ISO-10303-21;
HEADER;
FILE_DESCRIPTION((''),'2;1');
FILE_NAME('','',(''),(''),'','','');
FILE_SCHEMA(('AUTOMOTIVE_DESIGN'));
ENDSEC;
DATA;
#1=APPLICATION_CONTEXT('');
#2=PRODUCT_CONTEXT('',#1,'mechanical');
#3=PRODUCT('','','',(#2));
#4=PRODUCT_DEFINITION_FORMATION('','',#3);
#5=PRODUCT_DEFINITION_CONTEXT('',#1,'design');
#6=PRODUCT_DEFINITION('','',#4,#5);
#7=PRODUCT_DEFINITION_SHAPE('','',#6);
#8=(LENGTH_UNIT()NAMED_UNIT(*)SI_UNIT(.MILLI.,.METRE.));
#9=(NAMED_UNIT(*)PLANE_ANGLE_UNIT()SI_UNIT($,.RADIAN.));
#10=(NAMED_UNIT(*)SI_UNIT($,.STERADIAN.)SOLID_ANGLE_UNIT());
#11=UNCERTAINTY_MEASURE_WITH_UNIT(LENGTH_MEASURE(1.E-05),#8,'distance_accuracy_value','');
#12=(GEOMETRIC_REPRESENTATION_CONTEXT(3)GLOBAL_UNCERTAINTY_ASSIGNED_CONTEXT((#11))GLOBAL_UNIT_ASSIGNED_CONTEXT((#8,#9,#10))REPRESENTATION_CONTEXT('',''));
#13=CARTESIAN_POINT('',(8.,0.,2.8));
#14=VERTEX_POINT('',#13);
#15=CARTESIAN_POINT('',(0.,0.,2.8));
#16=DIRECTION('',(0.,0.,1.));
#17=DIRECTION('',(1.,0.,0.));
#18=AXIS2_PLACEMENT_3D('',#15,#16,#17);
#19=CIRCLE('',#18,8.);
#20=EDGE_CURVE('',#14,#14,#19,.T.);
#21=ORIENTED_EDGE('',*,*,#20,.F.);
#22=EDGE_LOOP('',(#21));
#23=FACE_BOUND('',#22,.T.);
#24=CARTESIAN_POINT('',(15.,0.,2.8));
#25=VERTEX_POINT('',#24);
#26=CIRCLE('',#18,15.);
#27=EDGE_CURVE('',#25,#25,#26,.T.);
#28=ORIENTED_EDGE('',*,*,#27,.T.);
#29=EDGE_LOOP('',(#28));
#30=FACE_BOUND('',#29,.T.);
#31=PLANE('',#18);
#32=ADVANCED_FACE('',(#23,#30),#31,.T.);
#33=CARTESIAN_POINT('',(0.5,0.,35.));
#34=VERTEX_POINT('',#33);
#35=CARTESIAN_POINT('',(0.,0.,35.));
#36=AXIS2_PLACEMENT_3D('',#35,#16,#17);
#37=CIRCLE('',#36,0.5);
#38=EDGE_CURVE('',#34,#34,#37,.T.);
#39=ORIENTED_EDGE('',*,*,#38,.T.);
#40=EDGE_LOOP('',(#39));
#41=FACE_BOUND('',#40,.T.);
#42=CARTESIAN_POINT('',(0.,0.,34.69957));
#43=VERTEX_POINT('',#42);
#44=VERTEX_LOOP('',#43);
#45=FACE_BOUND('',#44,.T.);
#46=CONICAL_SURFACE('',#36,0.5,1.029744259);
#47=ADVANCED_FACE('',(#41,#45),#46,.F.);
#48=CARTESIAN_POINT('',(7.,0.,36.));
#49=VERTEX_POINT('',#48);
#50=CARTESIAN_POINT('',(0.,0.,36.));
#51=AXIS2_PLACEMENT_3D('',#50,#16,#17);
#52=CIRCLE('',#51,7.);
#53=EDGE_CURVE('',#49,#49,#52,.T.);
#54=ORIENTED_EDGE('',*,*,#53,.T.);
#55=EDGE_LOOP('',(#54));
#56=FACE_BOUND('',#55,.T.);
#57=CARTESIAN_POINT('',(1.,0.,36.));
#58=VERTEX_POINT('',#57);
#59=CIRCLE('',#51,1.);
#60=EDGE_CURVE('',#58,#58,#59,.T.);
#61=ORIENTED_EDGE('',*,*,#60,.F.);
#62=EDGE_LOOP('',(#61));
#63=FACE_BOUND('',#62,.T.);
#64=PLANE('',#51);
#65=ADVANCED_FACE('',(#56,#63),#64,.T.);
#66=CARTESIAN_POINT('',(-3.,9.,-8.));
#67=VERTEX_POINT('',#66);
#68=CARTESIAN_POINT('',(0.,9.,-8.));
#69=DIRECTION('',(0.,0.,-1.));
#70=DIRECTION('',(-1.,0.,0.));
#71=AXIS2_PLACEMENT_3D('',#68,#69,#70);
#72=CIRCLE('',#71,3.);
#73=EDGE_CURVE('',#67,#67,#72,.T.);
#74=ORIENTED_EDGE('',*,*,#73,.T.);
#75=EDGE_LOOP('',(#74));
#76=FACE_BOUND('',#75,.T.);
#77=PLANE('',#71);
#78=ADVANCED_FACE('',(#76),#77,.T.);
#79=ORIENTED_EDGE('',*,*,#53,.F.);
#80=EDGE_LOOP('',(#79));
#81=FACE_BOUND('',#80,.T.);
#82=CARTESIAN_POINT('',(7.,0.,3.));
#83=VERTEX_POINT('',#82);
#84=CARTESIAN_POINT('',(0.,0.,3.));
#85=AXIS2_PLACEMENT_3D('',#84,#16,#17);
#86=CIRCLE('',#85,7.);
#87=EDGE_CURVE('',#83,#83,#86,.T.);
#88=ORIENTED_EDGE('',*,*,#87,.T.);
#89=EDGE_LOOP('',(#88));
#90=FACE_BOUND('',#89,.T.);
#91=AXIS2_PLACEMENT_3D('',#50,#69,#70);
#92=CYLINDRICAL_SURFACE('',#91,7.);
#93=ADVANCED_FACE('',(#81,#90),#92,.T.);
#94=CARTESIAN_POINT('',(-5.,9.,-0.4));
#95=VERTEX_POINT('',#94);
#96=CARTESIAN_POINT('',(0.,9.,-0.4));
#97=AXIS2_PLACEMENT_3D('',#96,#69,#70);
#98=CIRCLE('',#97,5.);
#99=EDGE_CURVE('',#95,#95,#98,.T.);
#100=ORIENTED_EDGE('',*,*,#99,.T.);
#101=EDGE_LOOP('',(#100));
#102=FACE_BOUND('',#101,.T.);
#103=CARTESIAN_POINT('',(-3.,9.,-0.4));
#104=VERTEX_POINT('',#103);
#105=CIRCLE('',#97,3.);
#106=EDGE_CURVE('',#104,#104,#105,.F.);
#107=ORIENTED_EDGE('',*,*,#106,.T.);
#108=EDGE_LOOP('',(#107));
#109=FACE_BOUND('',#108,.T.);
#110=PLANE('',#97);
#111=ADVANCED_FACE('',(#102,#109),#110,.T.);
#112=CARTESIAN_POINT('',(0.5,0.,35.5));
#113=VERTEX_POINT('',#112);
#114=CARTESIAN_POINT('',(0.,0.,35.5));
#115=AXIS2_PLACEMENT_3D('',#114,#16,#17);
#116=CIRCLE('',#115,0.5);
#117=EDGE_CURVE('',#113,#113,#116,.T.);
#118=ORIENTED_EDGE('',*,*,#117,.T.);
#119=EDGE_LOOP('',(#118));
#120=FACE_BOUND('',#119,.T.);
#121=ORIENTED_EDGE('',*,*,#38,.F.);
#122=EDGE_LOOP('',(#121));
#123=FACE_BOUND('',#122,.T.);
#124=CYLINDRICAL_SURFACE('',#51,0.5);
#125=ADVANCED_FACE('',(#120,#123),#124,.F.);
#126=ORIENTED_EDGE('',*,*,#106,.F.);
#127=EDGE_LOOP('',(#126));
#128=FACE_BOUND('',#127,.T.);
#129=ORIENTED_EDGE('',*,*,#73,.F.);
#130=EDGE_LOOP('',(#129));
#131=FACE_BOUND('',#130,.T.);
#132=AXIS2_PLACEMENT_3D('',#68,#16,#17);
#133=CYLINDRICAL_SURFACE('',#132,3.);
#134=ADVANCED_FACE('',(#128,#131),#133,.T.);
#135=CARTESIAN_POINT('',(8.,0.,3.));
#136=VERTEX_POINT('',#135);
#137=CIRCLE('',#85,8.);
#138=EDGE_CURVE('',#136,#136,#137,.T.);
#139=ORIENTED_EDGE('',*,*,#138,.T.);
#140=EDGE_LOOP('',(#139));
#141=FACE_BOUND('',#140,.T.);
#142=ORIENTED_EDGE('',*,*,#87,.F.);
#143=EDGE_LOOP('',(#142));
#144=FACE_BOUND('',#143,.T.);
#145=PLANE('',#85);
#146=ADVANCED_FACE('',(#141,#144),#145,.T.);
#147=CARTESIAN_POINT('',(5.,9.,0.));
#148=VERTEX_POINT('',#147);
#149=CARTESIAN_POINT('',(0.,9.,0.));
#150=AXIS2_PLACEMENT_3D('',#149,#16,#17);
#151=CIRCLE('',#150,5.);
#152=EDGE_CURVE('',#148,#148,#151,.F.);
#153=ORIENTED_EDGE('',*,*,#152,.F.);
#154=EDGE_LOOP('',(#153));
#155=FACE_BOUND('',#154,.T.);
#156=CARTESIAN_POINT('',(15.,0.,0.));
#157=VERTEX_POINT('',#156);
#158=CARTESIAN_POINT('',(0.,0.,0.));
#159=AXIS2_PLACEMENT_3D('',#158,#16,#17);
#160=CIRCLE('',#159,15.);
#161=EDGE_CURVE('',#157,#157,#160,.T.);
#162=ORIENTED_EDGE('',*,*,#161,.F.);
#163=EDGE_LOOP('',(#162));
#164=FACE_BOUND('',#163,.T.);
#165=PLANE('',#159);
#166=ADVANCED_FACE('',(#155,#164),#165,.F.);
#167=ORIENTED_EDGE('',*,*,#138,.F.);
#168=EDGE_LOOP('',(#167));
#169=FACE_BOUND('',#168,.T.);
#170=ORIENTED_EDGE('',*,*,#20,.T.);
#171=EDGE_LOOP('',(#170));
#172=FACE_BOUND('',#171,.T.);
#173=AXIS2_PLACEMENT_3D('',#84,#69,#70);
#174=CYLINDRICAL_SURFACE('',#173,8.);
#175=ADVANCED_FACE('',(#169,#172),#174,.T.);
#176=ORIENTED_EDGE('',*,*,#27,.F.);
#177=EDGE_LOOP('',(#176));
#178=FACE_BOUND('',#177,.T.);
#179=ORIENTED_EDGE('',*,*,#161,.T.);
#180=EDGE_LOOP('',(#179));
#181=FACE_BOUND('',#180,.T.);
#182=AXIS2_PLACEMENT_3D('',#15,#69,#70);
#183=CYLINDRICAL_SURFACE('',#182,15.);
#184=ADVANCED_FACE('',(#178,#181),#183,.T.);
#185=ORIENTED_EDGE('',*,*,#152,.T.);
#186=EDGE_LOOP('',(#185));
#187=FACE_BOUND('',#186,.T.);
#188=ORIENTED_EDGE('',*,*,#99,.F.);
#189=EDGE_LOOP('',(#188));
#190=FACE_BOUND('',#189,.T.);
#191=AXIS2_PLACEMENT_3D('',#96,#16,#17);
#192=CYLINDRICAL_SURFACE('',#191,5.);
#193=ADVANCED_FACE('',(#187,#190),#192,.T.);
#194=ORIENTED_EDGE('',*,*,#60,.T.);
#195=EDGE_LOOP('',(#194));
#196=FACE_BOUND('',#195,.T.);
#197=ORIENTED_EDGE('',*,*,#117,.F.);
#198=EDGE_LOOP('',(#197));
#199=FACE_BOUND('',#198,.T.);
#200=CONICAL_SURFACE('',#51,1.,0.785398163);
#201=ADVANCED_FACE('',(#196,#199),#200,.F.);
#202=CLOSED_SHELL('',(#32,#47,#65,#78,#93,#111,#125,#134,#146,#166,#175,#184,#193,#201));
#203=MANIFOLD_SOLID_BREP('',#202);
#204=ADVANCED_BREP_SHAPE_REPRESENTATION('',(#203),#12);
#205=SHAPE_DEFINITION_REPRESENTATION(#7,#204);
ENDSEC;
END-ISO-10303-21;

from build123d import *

# Parameters (mm, degrees)
SKETCH1_R                                       = 15
BOSS_EXTRUDE1_DEPTH                             = 2.8
SKETCH3_R                                       = 8
BOSS_EXTRUDE3_DEPTH                             = 0.2
SKETCH2_R                                       = 7
BOSS_EXTRUDE2_DEPTH                             = 33
SKETCH4_R                                       = 5
BOSS_EXTRUDE4_DEPTH                             = 0.4
SKETCH5_R                                       = 3
BOSS_EXTRUDE5_DEPTH                             = 8
CSK_FOR_M2_OVAL_HEAD_MACHINE_SCREW1_D           = 1
CSK_FOR_M2_OVAL_HEAD_MACHINE_SCREW1_DEPTH       = 1
CSK_FOR_M2_OVAL_HEAD_MACHINE_SCREW1_CSINK_D     = 2
CSK_FOR_M2_OVAL_HEAD_MACHINE_SCREW1_CSINK_ANGLE = 90
CSK_FOR_M2_OVAL_HEAD_MACHINE_SCREW1_TIP         = 0.30043031


with BuildPart() as part:
    # Sketch1 → Boss-Extrude1 (new body)
    with BuildSketch(Plane.XY):
        Circle(SKETCH1_R)
    extrude(amount=BOSS_EXTRUDE1_DEPTH)

    # Sketch3 → Boss-Extrude3 (add)
    with BuildSketch(Plane.XY.offset(2.8)):
        Circle(SKETCH3_R)
    extrude(amount=BOSS_EXTRUDE3_DEPTH)

    # Sketch2 → Boss-Extrude2 (add)
    with BuildSketch(Plane.XY.offset(3)):
        Circle(SKETCH2_R)
    extrude(amount=BOSS_EXTRUDE2_DEPTH)

    # Sketch4 → Boss-Extrude4 (add)
    with BuildSketch(Plane(origin=(0, 0, 0), x_dir=(-1, 0, 0), z_dir=(0, 0, -1))):
        with Locations(Location((0, 9, 0), (0, 0, 180))):  # turned: the seam where the file's is
            Circle(SKETCH4_R)
    extrude(amount=BOSS_EXTRUDE4_DEPTH)

    # Sketch5 → Boss-Extrude5 (add)
    with BuildSketch(Plane(origin=(0, 0, 0), x_dir=(-1, 0, 0), z_dir=(0, 0, -1))):
        with Locations((0, 9)):
            Circle(SKETCH5_R)
    extrude(amount=BOSS_EXTRUDE5_DEPTH)

    # CSK for M2 Oval Head Machine Screw1
    with Locations(Plane.XY.offset(36)):
        with Locations((0, 0)):
            CounterSinkHole(CSK_FOR_M2_OVAL_HEAD_MACHINE_SCREW1_D / 2, CSK_FOR_M2_OVAL_HEAD_MACHINE_SCREW1_CSINK_D / 2, depth=CSK_FOR_M2_OVAL_HEAD_MACHINE_SCREW1_DEPTH, counter_sink_angle=CSK_FOR_M2_OVAL_HEAD_MACHINE_SCREW1_CSINK_ANGLE)
            with Locations((0, 0, -(CSK_FOR_M2_OVAL_HEAD_MACHINE_SCREW1_DEPTH + CSK_FOR_M2_OVAL_HEAD_MACHINE_SCREW1_TIP / 2))):  # 118° drill point
                Cone(0, CSK_FOR_M2_OVAL_HEAD_MACHINE_SCREW1_D / 2, CSK_FOR_M2_OVAL_HEAD_MACHINE_SCREW1_TIP, mode=Mode.SUBTRACT)


solid = part.part
